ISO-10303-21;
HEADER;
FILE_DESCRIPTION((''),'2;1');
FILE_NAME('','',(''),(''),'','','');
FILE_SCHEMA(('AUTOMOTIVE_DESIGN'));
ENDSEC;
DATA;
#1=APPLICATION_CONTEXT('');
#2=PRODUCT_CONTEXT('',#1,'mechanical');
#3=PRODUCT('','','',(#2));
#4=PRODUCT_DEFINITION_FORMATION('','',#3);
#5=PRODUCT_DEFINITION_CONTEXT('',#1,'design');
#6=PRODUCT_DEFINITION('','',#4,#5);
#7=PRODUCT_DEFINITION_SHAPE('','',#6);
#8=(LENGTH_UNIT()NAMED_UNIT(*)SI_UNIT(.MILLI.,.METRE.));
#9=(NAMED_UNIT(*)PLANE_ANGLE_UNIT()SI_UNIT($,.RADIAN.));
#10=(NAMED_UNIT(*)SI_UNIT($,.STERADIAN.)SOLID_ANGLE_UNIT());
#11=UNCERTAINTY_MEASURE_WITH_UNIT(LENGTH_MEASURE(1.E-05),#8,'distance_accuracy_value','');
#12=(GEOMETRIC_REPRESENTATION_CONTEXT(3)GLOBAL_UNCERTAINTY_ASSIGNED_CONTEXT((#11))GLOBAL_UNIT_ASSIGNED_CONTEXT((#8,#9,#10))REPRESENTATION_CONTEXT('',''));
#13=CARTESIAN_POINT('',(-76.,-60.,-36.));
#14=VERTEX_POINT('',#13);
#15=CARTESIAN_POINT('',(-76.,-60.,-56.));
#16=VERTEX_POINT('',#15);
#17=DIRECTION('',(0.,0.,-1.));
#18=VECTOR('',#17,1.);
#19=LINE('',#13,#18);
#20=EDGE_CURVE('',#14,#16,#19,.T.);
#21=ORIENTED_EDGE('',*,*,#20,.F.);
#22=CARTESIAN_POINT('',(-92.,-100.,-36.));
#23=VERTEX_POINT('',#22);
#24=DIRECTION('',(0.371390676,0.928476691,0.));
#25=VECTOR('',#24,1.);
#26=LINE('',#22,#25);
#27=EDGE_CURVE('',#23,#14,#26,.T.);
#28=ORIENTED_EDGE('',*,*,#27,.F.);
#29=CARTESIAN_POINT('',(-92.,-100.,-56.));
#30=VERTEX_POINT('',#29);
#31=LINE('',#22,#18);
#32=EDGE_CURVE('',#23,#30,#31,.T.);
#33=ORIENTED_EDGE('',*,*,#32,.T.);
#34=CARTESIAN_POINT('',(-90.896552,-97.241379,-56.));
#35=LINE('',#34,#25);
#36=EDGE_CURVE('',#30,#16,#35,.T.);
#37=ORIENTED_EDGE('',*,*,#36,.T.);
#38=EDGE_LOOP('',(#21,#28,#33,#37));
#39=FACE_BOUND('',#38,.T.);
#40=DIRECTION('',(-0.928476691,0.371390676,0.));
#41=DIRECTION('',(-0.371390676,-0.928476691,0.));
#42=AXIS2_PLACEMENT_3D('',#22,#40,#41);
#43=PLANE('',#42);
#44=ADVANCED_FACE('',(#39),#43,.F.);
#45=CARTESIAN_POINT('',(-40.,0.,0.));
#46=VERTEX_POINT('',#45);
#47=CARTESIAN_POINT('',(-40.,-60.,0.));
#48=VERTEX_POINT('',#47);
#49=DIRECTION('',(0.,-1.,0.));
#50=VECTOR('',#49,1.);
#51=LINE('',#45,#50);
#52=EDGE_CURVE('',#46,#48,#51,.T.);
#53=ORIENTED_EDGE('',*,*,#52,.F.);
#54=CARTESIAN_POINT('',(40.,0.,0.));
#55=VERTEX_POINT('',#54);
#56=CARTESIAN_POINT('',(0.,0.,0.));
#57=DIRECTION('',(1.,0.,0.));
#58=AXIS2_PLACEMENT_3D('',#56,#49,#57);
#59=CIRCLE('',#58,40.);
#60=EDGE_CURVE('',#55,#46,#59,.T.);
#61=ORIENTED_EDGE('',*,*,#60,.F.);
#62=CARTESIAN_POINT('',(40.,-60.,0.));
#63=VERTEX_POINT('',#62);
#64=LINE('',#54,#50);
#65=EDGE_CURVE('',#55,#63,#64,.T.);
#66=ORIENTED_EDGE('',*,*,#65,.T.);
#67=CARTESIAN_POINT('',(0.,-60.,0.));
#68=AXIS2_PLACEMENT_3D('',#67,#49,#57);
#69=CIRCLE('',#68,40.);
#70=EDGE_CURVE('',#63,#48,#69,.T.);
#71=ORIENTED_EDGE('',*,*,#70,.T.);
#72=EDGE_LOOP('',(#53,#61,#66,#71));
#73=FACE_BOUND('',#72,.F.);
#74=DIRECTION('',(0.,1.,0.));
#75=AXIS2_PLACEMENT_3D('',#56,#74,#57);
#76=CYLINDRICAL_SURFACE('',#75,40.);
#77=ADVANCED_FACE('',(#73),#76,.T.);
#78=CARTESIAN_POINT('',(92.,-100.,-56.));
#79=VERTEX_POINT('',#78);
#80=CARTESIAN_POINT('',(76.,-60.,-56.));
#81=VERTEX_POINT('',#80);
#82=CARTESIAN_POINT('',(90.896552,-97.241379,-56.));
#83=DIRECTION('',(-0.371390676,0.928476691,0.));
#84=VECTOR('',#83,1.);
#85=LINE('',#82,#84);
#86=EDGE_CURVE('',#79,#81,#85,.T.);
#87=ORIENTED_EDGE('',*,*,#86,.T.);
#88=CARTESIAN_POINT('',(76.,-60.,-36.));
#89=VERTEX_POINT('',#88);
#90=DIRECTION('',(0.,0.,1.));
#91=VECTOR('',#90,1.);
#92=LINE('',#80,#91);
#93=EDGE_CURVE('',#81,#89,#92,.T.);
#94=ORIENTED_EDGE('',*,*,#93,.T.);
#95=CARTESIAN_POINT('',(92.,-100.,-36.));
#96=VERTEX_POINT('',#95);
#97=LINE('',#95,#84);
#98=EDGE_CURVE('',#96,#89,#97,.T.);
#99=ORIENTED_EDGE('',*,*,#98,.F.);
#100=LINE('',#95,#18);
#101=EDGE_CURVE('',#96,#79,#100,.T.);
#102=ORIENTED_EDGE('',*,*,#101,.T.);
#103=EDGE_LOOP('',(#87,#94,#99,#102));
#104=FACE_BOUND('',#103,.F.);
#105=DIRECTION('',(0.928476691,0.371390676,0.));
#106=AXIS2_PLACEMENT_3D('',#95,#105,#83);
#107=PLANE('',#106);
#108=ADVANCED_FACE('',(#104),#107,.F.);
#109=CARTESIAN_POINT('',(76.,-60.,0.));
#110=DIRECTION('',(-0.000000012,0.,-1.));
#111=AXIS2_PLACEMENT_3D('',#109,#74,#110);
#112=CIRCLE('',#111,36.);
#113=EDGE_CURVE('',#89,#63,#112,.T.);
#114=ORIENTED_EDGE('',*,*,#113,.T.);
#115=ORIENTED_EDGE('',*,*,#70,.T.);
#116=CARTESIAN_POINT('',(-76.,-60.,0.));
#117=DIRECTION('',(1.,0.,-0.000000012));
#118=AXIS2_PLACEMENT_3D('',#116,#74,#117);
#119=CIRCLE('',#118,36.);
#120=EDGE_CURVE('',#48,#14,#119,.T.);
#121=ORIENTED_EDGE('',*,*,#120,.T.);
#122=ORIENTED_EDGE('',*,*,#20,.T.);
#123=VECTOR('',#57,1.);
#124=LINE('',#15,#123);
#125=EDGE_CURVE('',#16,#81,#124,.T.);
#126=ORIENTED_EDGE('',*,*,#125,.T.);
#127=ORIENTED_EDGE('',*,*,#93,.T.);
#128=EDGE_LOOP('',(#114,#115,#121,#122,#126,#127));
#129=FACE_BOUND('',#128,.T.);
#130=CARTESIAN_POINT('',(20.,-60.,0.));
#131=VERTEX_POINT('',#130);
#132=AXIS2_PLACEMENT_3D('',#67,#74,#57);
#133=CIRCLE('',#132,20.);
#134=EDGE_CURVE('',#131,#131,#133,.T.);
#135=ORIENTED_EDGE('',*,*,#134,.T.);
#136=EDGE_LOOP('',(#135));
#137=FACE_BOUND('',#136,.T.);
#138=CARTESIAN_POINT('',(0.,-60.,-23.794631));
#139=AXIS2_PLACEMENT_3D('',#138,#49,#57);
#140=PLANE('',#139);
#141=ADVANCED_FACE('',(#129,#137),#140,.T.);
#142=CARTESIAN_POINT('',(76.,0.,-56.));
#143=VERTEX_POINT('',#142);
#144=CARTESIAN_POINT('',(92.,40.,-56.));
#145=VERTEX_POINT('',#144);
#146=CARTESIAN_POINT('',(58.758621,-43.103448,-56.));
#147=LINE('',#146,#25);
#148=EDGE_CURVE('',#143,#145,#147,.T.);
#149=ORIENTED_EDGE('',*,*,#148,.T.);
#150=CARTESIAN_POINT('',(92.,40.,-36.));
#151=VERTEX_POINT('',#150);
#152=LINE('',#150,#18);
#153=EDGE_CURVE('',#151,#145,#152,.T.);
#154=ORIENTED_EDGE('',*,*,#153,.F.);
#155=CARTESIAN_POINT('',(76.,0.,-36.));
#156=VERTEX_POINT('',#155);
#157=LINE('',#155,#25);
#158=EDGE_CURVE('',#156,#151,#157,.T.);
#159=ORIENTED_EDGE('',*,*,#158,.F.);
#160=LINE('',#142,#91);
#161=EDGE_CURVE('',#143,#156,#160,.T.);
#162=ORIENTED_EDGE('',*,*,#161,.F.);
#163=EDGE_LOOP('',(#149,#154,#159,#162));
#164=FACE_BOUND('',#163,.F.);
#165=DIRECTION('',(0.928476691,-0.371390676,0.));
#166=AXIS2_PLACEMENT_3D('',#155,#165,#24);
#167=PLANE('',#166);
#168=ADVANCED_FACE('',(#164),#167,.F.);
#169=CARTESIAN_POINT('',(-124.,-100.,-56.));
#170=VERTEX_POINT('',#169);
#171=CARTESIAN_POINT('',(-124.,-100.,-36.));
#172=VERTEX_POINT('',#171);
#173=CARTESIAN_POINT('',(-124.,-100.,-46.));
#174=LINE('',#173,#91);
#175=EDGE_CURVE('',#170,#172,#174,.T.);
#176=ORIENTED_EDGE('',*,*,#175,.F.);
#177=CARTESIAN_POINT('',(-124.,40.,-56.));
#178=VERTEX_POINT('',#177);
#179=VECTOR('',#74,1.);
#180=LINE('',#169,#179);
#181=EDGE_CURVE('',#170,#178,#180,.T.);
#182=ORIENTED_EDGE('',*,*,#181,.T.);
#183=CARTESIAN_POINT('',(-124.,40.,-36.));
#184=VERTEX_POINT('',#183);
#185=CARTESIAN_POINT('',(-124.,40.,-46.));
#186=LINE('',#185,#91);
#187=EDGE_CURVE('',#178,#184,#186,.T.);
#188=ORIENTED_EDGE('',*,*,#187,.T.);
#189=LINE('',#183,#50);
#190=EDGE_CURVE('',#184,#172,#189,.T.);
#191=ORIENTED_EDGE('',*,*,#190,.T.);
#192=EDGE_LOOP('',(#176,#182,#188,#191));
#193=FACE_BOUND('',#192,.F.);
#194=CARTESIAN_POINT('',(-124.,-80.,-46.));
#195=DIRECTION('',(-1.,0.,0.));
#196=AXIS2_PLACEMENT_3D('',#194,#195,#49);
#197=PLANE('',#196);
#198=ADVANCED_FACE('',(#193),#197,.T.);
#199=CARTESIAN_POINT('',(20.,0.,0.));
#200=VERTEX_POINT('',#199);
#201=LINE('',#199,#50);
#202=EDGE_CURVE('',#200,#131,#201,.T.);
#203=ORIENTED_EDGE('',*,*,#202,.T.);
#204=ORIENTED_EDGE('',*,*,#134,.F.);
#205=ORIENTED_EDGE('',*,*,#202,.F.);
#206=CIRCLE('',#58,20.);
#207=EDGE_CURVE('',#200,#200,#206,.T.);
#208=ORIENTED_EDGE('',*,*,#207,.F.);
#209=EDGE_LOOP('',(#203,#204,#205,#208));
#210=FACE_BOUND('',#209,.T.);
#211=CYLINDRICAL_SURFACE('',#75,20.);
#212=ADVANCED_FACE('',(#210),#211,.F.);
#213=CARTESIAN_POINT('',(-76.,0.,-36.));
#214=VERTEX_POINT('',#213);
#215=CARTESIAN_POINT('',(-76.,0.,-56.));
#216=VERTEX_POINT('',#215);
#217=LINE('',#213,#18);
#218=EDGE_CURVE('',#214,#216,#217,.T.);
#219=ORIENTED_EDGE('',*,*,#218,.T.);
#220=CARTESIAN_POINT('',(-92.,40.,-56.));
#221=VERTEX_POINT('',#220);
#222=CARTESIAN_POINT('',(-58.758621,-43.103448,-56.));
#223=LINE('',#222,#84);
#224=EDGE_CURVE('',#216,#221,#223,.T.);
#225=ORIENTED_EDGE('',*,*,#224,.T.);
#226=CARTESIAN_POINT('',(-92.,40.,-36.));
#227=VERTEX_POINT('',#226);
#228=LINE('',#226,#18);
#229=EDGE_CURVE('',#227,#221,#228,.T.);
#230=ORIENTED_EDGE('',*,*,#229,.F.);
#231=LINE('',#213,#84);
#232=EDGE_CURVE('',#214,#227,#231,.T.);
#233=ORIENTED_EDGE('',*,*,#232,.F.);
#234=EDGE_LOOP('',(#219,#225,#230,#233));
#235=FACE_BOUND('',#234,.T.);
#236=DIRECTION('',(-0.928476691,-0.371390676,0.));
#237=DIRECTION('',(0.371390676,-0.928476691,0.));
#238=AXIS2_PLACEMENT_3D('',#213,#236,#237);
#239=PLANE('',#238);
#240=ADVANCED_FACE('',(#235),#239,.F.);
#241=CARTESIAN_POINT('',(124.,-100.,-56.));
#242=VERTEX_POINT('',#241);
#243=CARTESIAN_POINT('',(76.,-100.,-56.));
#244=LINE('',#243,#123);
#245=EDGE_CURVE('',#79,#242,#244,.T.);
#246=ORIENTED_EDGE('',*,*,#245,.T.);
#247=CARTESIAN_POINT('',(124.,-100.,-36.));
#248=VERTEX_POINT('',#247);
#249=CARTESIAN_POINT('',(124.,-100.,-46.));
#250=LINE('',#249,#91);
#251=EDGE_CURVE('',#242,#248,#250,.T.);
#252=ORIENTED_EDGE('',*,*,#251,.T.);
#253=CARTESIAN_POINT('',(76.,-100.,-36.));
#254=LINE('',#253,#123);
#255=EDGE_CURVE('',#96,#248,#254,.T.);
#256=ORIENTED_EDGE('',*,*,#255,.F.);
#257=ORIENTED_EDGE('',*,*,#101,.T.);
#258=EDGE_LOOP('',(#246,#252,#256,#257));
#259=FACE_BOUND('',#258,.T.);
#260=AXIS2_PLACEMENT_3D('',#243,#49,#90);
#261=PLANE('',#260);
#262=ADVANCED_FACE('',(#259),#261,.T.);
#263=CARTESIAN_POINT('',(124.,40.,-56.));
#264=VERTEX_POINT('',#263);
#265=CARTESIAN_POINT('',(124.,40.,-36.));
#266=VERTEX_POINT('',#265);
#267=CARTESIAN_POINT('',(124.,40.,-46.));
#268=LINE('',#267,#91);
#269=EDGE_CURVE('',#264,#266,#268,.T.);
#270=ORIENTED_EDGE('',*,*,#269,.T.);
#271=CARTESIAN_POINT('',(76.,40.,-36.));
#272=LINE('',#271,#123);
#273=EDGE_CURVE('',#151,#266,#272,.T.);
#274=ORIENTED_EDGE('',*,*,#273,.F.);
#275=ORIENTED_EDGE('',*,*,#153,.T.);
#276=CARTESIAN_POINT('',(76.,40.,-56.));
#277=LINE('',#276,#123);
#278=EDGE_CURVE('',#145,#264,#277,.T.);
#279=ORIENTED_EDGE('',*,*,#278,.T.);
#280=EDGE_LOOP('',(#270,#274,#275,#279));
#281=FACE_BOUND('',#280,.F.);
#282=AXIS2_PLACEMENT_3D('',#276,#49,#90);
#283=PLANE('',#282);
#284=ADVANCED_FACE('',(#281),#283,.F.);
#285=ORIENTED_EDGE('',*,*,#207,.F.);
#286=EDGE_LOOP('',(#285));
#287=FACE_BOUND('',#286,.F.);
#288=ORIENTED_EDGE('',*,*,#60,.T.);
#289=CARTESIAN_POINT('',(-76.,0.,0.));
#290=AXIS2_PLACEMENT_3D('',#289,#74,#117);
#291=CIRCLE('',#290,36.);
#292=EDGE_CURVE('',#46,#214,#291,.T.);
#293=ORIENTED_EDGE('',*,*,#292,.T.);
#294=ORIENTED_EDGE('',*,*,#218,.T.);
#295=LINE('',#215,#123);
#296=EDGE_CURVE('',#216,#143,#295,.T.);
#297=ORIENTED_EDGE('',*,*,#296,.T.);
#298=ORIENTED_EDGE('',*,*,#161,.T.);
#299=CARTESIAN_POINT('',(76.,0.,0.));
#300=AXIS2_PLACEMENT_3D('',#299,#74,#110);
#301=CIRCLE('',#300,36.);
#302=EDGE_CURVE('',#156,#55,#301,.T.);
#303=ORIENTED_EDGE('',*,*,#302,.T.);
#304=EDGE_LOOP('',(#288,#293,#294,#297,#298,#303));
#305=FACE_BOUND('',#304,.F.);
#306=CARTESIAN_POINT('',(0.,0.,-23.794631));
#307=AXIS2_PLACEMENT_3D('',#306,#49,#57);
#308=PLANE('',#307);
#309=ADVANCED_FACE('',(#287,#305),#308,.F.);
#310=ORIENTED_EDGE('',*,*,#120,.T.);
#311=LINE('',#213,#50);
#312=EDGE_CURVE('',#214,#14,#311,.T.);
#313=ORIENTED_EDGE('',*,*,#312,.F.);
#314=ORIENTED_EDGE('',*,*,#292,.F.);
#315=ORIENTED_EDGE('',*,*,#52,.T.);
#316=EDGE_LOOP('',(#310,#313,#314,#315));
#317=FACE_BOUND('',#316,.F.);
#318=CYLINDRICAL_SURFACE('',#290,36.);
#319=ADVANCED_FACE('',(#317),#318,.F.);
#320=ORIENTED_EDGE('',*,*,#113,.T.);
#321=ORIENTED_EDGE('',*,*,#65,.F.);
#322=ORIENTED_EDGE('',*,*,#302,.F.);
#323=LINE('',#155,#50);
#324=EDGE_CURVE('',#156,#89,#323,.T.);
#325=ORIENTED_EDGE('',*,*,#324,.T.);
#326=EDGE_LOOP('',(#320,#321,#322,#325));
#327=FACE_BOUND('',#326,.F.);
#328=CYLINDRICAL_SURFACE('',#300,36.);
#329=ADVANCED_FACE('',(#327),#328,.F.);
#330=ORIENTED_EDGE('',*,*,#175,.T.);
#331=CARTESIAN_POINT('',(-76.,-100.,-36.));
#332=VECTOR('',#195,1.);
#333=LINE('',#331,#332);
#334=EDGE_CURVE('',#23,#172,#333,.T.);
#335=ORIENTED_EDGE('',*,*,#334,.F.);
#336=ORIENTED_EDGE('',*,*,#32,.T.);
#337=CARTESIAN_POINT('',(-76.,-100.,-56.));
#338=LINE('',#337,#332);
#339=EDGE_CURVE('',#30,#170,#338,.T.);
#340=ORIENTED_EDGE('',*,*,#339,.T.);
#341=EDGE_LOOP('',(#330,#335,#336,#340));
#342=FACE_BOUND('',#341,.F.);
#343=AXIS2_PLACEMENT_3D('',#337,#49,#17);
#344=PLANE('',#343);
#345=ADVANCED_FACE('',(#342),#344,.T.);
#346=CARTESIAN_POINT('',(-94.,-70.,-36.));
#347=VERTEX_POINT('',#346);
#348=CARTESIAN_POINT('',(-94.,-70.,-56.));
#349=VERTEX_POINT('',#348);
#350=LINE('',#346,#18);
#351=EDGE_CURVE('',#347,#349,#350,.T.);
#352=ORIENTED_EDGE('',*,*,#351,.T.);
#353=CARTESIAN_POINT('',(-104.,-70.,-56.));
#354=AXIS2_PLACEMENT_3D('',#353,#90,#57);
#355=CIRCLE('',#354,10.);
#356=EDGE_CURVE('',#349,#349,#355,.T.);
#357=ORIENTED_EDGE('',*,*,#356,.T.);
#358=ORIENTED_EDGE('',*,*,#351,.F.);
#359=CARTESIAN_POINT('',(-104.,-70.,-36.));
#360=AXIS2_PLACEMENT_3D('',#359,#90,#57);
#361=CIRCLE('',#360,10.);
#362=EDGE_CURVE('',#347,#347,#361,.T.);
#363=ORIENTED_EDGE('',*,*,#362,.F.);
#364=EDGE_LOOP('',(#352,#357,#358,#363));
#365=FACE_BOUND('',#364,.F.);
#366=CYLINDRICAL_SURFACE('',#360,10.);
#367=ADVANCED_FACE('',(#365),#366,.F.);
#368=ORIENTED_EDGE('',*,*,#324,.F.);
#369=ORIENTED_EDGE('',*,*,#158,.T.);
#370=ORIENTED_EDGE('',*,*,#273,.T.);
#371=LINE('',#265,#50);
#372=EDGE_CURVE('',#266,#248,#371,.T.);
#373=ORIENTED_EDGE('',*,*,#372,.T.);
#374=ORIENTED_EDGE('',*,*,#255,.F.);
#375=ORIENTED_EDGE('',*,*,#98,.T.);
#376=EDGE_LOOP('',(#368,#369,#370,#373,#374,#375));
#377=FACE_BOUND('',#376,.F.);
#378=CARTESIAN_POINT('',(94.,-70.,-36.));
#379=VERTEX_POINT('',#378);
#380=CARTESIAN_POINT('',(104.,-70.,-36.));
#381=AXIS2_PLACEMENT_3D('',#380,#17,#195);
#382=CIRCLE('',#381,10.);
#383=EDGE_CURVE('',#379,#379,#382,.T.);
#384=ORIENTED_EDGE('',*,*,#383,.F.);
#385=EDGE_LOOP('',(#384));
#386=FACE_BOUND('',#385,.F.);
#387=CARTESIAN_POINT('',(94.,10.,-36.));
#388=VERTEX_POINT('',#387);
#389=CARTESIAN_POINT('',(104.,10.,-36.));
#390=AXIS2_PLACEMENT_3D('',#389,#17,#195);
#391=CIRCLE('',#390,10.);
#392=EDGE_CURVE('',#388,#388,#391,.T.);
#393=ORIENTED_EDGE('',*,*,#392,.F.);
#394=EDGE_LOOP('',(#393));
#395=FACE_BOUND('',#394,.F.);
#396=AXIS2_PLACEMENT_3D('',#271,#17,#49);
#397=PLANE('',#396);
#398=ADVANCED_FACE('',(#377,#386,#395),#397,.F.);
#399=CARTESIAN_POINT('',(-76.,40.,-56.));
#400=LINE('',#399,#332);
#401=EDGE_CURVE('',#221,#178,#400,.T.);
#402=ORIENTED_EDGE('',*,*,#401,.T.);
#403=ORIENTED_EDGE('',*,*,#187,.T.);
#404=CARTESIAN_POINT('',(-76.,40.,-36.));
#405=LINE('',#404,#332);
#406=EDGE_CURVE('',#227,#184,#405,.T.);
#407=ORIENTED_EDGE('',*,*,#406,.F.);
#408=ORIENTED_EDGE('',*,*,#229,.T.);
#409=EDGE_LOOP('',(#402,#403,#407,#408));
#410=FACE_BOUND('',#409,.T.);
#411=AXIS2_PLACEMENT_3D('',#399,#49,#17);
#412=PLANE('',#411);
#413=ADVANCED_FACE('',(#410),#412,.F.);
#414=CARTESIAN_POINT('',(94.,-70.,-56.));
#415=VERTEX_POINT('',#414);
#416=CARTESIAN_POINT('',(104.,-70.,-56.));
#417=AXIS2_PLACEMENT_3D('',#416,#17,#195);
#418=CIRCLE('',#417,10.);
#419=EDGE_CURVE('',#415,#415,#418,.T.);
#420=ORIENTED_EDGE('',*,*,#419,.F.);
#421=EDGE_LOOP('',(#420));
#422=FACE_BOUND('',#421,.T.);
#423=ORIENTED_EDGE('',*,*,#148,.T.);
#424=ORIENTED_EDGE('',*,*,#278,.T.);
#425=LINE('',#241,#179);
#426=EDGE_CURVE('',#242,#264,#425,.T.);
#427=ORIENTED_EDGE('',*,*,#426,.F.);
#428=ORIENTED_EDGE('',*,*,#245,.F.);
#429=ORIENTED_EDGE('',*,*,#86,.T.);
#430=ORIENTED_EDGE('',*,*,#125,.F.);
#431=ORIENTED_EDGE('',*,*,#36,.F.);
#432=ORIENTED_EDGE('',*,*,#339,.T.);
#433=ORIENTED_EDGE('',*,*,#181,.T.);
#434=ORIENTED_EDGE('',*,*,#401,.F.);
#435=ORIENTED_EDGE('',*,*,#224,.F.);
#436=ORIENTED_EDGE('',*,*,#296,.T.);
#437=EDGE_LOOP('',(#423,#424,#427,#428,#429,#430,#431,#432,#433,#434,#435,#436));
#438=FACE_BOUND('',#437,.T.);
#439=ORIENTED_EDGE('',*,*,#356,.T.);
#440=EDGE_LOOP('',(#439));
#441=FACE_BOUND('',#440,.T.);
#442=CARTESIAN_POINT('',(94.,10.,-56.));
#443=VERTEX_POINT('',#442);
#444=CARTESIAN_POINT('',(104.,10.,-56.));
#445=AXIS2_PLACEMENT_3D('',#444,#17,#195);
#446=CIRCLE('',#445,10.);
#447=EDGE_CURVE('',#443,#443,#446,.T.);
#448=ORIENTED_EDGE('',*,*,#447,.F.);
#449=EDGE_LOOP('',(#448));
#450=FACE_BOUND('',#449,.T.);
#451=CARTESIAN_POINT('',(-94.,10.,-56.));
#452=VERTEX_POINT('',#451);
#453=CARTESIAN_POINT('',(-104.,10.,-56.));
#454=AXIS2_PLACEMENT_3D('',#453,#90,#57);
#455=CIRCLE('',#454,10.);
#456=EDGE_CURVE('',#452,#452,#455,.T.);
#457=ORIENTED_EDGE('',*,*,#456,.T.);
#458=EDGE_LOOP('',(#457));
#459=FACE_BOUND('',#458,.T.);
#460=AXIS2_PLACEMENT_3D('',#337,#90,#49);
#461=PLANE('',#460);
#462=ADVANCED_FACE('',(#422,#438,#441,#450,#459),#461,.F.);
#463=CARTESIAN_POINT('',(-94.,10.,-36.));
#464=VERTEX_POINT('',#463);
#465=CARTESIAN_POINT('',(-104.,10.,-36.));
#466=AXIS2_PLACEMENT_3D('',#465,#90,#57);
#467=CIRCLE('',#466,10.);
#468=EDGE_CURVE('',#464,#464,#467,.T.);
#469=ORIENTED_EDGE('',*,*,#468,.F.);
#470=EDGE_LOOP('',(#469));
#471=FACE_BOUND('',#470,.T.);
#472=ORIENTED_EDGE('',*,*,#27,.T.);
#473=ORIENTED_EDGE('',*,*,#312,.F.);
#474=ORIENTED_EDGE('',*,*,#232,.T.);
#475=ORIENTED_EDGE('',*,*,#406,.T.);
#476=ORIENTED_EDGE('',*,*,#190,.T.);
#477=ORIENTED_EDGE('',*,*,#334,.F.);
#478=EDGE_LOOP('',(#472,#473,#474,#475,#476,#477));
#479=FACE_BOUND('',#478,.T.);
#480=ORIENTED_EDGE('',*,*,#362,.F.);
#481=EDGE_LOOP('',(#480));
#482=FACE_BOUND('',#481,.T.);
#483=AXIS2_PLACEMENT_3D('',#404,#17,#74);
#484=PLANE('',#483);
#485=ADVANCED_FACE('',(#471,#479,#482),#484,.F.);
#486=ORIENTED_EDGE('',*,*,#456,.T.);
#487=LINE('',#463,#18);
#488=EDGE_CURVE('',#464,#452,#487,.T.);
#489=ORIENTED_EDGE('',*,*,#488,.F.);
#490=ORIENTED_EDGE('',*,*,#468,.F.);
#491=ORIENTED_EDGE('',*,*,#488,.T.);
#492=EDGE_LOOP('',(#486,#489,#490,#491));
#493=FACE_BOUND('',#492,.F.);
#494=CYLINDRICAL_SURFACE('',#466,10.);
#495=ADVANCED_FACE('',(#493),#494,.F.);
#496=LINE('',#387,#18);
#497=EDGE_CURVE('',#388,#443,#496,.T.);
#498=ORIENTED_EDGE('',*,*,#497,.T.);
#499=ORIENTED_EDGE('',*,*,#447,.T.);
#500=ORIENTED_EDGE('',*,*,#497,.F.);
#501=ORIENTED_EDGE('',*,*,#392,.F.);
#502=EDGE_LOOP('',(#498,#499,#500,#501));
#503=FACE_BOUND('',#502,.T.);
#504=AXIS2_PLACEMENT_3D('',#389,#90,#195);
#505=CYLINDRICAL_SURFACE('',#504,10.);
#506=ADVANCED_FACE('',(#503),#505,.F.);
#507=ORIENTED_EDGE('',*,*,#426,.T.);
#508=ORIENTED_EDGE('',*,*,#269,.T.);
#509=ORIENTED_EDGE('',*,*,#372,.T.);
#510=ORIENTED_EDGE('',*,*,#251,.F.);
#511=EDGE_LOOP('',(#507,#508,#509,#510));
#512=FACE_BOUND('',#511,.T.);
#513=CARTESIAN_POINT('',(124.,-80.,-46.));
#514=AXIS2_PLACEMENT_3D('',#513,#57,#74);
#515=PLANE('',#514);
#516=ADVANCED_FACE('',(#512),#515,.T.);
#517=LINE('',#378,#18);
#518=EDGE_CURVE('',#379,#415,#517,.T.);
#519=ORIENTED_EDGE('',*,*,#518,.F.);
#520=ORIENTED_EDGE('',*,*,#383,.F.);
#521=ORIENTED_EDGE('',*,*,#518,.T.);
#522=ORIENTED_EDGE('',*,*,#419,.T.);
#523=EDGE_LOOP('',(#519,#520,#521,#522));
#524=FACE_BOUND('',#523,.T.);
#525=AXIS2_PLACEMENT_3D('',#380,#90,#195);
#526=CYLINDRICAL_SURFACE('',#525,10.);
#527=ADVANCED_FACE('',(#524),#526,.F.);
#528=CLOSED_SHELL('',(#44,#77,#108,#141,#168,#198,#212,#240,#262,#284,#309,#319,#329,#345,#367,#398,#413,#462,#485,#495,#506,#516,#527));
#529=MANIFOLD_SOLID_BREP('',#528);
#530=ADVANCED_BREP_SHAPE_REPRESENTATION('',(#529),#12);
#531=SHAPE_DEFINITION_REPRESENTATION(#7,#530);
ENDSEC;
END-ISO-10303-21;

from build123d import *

# Parameters (mm, degrees)
F0_R     = 20
F1_DEPTH = 60
F2_W     = 40
F2_H     = 20
F2_W_2   = 60
F3_DEPTH = 48
F5_DEPTH = 20.001
F7_R     = 10
F8_DEPTH = 20.001


with BuildPart() as f1:
    # F0 (on Front) → F1 (new body)
    with BuildSketch(Plane.XZ):
        with BuildLine():
            ThreePointArc((76, -36), (50.544156, -25.455844), (40, 0))
            ThreePointArc((40, 0), (0, 40), (-40, 0))
            ThreePointArc((-40, 0), (-50.544156, -25.455844), (-76, -36))
            Line((-76, -36), (-76, -56))
            Line((-76, -56), (76, -56))
            Line((76, -56), (76, -36))
        make_face()
        Circle(F0_R, mode=Mode.SUBTRACT)
    extrude(amount=F1_DEPTH)

    # F2 (on face) → F3 (join)
    with BuildSketch(Plane.YZ.offset(76)):
        with Locations((-80, -46)):
            Rectangle(F2_W, F2_H)
        with Locations((20, -46)):
            Rectangle(F2_W, F2_H)
        with Locations((-30, -46)):
            Rectangle(F2_W_2, F2_H)
    extrude(amount=F3_DEPTH)

    # F4 (on face) → F5 (cut, through all)
    with BuildSketch(Plane.XY.offset(-36)):
        Polygon((76, 0), (92, 40), (76, 40), align=None)
        Polygon((76, -100), (92, -100), (76, -60), align=None)
    extrude(amount=-F5_DEPTH, mode=Mode.SUBTRACT)

    # F6: F1 across plane


with BuildPart() as f1_1:
    add(f1.part)
    add(f1.part.mirror(Plane.YZ))

    # F7 (on face) → F8 (cut, through all)
    with BuildSketch(Plane.XY.offset(-36)):
        with Locations((-104, -70)):
            Circle(F7_R)
        with Locations((-104, 10)):
            Circle(F7_R)
    extrude(amount=-F8_DEPTH, mode=Mode.SUBTRACT)

    # F9: F1 across plane


with BuildPart() as f1_2:
    add(f1_1.part)
    add(f1_1.part.mirror(Plane.YZ), mode=Mode.INTERSECT)


solid = f1_2.part
